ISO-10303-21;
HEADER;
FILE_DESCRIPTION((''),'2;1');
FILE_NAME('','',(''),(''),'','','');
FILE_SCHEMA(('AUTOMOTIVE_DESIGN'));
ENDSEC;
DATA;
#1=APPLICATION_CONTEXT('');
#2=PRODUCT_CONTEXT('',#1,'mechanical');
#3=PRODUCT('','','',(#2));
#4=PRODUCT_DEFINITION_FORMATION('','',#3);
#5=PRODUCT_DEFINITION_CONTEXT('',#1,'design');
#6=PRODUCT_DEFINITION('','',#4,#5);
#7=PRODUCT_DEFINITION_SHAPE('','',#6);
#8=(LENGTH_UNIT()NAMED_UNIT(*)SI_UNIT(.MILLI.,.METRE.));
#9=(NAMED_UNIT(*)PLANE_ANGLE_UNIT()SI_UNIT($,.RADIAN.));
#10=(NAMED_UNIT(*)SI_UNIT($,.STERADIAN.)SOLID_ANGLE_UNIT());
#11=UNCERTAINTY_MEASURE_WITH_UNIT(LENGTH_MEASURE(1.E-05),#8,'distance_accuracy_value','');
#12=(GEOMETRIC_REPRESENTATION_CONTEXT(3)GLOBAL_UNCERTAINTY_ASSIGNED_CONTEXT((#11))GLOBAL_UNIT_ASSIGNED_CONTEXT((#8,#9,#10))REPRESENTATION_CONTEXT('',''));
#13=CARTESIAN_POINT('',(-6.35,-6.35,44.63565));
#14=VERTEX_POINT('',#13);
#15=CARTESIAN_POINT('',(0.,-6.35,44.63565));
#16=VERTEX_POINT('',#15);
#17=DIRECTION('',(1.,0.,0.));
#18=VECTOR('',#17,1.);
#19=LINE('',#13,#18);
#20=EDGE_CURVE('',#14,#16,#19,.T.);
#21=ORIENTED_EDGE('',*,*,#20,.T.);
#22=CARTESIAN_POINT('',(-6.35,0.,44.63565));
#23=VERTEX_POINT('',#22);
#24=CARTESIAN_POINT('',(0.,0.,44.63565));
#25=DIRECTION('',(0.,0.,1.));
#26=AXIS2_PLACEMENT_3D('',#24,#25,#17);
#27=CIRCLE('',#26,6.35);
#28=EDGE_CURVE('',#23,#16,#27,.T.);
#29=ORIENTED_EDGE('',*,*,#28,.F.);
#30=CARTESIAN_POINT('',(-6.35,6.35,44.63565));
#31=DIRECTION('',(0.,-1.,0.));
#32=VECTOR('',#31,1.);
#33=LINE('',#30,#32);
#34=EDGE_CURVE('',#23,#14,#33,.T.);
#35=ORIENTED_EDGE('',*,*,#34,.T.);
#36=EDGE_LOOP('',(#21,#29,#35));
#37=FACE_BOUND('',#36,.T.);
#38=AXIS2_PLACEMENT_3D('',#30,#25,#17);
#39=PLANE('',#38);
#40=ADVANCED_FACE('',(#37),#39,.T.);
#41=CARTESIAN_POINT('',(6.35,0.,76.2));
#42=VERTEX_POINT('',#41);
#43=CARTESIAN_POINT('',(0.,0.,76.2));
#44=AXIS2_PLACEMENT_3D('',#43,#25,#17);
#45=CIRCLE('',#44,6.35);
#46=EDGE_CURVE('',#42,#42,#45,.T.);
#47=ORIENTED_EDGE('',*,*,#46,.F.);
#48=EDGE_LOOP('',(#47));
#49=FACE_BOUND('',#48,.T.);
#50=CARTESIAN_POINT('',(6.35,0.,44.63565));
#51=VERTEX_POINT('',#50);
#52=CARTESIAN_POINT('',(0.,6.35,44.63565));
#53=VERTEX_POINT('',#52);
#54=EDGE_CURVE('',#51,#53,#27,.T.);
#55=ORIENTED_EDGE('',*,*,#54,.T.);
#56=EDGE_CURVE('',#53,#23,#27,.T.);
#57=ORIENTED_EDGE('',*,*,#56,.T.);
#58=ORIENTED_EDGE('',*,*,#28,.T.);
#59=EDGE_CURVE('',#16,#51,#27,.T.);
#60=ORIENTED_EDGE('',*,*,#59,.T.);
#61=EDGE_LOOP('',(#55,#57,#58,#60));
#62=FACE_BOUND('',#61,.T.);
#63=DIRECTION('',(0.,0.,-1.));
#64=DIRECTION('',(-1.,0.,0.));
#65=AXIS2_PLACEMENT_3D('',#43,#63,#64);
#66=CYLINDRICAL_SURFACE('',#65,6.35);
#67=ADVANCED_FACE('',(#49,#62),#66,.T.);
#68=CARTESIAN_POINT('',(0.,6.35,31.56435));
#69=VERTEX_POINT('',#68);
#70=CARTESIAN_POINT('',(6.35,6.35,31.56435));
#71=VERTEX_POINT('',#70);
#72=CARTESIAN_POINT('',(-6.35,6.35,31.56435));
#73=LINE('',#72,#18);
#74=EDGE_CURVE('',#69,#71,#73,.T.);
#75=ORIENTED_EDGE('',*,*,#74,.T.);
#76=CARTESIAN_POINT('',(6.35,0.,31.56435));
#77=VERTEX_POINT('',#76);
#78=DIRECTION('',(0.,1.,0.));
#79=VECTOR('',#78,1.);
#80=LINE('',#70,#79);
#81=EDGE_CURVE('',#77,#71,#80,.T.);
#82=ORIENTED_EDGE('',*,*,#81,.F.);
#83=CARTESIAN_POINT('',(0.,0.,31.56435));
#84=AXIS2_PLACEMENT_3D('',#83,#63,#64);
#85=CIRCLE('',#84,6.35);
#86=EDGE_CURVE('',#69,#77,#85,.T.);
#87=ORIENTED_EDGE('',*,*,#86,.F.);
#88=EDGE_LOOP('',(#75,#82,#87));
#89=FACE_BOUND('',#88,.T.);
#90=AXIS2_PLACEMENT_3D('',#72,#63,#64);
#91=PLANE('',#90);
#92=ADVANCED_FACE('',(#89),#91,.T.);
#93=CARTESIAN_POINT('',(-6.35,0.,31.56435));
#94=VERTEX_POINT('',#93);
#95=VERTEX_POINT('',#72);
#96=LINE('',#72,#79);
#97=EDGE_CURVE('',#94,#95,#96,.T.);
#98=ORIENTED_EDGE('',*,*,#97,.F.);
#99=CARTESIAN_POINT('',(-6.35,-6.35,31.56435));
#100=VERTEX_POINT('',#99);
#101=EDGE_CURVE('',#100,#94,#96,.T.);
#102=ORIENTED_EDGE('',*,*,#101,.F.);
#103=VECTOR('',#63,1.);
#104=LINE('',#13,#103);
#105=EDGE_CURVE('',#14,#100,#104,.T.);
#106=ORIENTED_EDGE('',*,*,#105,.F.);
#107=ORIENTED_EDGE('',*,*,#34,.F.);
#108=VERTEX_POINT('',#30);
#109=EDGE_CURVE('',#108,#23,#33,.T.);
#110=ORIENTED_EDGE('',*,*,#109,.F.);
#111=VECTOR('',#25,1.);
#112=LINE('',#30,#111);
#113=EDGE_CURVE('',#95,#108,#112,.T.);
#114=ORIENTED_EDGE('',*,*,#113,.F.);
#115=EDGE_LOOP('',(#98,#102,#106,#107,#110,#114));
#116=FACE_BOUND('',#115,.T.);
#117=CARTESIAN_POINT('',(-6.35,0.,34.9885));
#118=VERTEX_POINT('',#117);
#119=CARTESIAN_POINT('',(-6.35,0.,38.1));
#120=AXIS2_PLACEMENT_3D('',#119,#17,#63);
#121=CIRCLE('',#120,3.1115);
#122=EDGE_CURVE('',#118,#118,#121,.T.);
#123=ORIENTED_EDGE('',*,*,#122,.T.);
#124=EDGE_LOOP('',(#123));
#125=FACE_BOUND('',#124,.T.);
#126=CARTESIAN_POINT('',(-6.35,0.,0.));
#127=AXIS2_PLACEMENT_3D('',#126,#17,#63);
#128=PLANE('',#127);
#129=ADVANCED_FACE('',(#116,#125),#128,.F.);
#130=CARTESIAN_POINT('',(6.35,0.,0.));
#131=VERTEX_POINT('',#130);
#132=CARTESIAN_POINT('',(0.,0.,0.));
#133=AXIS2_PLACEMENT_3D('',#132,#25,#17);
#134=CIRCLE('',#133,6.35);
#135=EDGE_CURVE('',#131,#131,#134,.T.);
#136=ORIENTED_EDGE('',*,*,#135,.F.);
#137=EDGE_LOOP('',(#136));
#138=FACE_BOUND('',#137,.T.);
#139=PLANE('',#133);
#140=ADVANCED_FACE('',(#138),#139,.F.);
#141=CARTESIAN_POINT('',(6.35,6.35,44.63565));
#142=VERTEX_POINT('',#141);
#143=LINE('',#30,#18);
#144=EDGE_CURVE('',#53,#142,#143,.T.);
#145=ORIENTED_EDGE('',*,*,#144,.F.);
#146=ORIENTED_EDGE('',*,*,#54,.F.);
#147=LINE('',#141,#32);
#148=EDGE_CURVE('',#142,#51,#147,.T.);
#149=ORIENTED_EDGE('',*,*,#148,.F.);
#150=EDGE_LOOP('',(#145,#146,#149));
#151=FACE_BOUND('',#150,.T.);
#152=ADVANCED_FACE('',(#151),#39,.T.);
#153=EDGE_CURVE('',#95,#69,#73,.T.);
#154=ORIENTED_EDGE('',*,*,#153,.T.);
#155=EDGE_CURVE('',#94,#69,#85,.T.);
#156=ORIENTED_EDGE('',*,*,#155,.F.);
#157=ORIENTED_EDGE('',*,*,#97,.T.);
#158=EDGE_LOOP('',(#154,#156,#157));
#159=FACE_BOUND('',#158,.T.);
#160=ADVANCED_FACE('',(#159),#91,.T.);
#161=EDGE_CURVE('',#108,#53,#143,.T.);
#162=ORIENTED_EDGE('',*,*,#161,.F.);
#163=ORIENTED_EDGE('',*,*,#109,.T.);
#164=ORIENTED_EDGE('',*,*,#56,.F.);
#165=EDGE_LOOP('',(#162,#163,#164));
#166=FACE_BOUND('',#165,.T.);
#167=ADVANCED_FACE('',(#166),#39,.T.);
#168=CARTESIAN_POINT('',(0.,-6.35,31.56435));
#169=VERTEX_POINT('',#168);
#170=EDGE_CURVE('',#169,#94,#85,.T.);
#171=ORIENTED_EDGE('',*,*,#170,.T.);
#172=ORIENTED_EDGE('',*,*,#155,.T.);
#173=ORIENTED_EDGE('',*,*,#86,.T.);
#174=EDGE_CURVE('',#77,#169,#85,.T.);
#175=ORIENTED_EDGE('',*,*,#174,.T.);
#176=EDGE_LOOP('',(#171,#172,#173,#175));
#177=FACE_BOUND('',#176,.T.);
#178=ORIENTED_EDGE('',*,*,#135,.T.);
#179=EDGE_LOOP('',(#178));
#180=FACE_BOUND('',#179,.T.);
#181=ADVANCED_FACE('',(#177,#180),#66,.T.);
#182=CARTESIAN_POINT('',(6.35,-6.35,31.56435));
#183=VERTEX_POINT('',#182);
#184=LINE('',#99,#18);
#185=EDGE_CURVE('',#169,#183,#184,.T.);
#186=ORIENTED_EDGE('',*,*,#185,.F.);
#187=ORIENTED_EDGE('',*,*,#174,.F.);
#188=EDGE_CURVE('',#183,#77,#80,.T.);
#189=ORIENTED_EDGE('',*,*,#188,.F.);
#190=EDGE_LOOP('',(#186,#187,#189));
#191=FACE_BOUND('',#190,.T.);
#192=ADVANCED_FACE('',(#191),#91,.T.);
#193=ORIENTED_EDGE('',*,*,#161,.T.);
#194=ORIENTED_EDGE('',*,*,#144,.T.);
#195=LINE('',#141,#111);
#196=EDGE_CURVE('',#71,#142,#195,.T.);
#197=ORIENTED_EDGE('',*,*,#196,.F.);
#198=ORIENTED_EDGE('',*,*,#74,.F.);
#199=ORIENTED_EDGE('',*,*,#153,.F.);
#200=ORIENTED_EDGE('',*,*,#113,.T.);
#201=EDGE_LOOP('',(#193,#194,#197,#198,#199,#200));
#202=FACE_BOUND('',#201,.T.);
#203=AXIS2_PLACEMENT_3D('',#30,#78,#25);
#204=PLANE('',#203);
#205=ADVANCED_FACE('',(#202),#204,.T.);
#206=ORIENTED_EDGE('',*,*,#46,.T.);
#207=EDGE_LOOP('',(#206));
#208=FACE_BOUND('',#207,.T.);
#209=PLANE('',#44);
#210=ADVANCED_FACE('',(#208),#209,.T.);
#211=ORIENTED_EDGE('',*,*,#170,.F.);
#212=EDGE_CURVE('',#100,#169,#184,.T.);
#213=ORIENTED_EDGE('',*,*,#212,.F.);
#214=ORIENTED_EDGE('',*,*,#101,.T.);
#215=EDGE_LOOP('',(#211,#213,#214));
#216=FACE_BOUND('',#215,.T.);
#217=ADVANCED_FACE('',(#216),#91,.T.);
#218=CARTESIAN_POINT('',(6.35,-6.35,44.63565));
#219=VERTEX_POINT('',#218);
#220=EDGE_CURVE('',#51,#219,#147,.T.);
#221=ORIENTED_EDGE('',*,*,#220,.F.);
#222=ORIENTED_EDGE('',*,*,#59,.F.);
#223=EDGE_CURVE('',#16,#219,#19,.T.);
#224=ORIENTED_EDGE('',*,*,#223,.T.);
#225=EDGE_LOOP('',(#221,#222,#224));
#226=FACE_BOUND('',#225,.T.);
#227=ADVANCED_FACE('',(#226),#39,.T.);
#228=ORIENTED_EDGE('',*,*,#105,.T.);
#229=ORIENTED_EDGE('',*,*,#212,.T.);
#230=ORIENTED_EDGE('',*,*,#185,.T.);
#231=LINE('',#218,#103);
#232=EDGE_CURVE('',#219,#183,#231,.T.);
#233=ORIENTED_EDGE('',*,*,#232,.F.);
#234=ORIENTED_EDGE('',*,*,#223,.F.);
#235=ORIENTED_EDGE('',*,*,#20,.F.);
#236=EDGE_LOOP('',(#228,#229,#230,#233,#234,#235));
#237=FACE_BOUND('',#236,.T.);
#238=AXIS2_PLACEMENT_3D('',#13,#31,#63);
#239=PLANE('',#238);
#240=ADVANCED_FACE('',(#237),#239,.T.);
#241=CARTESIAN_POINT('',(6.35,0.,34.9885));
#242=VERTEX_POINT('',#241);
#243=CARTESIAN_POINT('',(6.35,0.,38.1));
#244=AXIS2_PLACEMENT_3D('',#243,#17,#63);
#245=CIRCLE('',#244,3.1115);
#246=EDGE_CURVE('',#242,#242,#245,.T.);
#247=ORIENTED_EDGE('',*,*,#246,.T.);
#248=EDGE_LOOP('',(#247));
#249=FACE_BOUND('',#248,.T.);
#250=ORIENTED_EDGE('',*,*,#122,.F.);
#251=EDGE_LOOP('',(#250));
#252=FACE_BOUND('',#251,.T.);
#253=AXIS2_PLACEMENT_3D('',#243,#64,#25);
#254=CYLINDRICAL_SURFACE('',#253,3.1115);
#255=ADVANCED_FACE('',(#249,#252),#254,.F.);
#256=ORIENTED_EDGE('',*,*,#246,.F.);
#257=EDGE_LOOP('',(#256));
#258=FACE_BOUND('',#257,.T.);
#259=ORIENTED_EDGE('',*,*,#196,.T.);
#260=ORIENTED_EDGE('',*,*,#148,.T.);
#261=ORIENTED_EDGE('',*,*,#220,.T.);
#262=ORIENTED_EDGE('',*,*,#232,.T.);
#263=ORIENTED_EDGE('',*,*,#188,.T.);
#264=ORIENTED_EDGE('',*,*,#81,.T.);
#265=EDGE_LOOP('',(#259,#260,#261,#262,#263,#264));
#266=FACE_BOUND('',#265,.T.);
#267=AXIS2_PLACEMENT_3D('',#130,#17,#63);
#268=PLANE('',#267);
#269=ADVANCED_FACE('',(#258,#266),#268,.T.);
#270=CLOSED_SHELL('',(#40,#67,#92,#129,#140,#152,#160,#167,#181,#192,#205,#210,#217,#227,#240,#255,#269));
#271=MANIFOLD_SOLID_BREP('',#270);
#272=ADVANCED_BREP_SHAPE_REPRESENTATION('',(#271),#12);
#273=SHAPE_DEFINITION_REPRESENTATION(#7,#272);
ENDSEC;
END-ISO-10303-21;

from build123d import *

# Parameters (mm, degrees)
SKETCH1_R                = 6.35
BOSS_EXTRUDE1_DEPTH      = 76.2
BOSS_EXTRUDE2_DEPTH      = 6.35
BOSS_EXTRUDE2_DEPTH_BACK = 6.35
SKETCH2_W                = 13.071299085
SKETCH2_H                = 12.7
CUT_EXTRUDE1_DEPTH       = 6.35
CUT_EXTRUDE1_DEPTH_BACK  = 6.35
SKETCH3_R                = 3.1115


with BuildPart() as part:
    # Sketch1 → Boss-Extrude1 (new body)
    with BuildSketch(Plane.XY):
        Circle(SKETCH1_R)
    extrude(amount=BOSS_EXTRUDE1_DEPTH)

    # Sketch2 → Boss-Extrude2 (add, two sides: drawn at the far end of the back side and taken through both)
    with BuildSketch(Plane(origin=(0, 0, 0), x_dir=(0, 0, -1), z_dir=(1, 0, 0)).offset(-BOSS_EXTRUDE2_DEPTH_BACK)):
        with Locations((-38.10000004, 0)):
            Rectangle(SKETCH2_W, SKETCH2_H)
    extrude(amount=BOSS_EXTRUDE2_DEPTH + BOSS_EXTRUDE2_DEPTH_BACK)

    # Sketch3 → Cut-Extrude1 (cut, two sides: drawn at the far end of the back side and taken through both)
    with BuildSketch(Plane(origin=(0, 0, 0), x_dir=(0, 0, -1), z_dir=(1, 0, 0)).offset(-CUT_EXTRUDE1_DEPTH_BACK)):
        with Locations((-38.1, 0)):
            Circle(SKETCH3_R)
    extrude(amount=CUT_EXTRUDE1_DEPTH + CUT_EXTRUDE1_DEPTH_BACK, mode=Mode.SUBTRACT)


solid = part.part
